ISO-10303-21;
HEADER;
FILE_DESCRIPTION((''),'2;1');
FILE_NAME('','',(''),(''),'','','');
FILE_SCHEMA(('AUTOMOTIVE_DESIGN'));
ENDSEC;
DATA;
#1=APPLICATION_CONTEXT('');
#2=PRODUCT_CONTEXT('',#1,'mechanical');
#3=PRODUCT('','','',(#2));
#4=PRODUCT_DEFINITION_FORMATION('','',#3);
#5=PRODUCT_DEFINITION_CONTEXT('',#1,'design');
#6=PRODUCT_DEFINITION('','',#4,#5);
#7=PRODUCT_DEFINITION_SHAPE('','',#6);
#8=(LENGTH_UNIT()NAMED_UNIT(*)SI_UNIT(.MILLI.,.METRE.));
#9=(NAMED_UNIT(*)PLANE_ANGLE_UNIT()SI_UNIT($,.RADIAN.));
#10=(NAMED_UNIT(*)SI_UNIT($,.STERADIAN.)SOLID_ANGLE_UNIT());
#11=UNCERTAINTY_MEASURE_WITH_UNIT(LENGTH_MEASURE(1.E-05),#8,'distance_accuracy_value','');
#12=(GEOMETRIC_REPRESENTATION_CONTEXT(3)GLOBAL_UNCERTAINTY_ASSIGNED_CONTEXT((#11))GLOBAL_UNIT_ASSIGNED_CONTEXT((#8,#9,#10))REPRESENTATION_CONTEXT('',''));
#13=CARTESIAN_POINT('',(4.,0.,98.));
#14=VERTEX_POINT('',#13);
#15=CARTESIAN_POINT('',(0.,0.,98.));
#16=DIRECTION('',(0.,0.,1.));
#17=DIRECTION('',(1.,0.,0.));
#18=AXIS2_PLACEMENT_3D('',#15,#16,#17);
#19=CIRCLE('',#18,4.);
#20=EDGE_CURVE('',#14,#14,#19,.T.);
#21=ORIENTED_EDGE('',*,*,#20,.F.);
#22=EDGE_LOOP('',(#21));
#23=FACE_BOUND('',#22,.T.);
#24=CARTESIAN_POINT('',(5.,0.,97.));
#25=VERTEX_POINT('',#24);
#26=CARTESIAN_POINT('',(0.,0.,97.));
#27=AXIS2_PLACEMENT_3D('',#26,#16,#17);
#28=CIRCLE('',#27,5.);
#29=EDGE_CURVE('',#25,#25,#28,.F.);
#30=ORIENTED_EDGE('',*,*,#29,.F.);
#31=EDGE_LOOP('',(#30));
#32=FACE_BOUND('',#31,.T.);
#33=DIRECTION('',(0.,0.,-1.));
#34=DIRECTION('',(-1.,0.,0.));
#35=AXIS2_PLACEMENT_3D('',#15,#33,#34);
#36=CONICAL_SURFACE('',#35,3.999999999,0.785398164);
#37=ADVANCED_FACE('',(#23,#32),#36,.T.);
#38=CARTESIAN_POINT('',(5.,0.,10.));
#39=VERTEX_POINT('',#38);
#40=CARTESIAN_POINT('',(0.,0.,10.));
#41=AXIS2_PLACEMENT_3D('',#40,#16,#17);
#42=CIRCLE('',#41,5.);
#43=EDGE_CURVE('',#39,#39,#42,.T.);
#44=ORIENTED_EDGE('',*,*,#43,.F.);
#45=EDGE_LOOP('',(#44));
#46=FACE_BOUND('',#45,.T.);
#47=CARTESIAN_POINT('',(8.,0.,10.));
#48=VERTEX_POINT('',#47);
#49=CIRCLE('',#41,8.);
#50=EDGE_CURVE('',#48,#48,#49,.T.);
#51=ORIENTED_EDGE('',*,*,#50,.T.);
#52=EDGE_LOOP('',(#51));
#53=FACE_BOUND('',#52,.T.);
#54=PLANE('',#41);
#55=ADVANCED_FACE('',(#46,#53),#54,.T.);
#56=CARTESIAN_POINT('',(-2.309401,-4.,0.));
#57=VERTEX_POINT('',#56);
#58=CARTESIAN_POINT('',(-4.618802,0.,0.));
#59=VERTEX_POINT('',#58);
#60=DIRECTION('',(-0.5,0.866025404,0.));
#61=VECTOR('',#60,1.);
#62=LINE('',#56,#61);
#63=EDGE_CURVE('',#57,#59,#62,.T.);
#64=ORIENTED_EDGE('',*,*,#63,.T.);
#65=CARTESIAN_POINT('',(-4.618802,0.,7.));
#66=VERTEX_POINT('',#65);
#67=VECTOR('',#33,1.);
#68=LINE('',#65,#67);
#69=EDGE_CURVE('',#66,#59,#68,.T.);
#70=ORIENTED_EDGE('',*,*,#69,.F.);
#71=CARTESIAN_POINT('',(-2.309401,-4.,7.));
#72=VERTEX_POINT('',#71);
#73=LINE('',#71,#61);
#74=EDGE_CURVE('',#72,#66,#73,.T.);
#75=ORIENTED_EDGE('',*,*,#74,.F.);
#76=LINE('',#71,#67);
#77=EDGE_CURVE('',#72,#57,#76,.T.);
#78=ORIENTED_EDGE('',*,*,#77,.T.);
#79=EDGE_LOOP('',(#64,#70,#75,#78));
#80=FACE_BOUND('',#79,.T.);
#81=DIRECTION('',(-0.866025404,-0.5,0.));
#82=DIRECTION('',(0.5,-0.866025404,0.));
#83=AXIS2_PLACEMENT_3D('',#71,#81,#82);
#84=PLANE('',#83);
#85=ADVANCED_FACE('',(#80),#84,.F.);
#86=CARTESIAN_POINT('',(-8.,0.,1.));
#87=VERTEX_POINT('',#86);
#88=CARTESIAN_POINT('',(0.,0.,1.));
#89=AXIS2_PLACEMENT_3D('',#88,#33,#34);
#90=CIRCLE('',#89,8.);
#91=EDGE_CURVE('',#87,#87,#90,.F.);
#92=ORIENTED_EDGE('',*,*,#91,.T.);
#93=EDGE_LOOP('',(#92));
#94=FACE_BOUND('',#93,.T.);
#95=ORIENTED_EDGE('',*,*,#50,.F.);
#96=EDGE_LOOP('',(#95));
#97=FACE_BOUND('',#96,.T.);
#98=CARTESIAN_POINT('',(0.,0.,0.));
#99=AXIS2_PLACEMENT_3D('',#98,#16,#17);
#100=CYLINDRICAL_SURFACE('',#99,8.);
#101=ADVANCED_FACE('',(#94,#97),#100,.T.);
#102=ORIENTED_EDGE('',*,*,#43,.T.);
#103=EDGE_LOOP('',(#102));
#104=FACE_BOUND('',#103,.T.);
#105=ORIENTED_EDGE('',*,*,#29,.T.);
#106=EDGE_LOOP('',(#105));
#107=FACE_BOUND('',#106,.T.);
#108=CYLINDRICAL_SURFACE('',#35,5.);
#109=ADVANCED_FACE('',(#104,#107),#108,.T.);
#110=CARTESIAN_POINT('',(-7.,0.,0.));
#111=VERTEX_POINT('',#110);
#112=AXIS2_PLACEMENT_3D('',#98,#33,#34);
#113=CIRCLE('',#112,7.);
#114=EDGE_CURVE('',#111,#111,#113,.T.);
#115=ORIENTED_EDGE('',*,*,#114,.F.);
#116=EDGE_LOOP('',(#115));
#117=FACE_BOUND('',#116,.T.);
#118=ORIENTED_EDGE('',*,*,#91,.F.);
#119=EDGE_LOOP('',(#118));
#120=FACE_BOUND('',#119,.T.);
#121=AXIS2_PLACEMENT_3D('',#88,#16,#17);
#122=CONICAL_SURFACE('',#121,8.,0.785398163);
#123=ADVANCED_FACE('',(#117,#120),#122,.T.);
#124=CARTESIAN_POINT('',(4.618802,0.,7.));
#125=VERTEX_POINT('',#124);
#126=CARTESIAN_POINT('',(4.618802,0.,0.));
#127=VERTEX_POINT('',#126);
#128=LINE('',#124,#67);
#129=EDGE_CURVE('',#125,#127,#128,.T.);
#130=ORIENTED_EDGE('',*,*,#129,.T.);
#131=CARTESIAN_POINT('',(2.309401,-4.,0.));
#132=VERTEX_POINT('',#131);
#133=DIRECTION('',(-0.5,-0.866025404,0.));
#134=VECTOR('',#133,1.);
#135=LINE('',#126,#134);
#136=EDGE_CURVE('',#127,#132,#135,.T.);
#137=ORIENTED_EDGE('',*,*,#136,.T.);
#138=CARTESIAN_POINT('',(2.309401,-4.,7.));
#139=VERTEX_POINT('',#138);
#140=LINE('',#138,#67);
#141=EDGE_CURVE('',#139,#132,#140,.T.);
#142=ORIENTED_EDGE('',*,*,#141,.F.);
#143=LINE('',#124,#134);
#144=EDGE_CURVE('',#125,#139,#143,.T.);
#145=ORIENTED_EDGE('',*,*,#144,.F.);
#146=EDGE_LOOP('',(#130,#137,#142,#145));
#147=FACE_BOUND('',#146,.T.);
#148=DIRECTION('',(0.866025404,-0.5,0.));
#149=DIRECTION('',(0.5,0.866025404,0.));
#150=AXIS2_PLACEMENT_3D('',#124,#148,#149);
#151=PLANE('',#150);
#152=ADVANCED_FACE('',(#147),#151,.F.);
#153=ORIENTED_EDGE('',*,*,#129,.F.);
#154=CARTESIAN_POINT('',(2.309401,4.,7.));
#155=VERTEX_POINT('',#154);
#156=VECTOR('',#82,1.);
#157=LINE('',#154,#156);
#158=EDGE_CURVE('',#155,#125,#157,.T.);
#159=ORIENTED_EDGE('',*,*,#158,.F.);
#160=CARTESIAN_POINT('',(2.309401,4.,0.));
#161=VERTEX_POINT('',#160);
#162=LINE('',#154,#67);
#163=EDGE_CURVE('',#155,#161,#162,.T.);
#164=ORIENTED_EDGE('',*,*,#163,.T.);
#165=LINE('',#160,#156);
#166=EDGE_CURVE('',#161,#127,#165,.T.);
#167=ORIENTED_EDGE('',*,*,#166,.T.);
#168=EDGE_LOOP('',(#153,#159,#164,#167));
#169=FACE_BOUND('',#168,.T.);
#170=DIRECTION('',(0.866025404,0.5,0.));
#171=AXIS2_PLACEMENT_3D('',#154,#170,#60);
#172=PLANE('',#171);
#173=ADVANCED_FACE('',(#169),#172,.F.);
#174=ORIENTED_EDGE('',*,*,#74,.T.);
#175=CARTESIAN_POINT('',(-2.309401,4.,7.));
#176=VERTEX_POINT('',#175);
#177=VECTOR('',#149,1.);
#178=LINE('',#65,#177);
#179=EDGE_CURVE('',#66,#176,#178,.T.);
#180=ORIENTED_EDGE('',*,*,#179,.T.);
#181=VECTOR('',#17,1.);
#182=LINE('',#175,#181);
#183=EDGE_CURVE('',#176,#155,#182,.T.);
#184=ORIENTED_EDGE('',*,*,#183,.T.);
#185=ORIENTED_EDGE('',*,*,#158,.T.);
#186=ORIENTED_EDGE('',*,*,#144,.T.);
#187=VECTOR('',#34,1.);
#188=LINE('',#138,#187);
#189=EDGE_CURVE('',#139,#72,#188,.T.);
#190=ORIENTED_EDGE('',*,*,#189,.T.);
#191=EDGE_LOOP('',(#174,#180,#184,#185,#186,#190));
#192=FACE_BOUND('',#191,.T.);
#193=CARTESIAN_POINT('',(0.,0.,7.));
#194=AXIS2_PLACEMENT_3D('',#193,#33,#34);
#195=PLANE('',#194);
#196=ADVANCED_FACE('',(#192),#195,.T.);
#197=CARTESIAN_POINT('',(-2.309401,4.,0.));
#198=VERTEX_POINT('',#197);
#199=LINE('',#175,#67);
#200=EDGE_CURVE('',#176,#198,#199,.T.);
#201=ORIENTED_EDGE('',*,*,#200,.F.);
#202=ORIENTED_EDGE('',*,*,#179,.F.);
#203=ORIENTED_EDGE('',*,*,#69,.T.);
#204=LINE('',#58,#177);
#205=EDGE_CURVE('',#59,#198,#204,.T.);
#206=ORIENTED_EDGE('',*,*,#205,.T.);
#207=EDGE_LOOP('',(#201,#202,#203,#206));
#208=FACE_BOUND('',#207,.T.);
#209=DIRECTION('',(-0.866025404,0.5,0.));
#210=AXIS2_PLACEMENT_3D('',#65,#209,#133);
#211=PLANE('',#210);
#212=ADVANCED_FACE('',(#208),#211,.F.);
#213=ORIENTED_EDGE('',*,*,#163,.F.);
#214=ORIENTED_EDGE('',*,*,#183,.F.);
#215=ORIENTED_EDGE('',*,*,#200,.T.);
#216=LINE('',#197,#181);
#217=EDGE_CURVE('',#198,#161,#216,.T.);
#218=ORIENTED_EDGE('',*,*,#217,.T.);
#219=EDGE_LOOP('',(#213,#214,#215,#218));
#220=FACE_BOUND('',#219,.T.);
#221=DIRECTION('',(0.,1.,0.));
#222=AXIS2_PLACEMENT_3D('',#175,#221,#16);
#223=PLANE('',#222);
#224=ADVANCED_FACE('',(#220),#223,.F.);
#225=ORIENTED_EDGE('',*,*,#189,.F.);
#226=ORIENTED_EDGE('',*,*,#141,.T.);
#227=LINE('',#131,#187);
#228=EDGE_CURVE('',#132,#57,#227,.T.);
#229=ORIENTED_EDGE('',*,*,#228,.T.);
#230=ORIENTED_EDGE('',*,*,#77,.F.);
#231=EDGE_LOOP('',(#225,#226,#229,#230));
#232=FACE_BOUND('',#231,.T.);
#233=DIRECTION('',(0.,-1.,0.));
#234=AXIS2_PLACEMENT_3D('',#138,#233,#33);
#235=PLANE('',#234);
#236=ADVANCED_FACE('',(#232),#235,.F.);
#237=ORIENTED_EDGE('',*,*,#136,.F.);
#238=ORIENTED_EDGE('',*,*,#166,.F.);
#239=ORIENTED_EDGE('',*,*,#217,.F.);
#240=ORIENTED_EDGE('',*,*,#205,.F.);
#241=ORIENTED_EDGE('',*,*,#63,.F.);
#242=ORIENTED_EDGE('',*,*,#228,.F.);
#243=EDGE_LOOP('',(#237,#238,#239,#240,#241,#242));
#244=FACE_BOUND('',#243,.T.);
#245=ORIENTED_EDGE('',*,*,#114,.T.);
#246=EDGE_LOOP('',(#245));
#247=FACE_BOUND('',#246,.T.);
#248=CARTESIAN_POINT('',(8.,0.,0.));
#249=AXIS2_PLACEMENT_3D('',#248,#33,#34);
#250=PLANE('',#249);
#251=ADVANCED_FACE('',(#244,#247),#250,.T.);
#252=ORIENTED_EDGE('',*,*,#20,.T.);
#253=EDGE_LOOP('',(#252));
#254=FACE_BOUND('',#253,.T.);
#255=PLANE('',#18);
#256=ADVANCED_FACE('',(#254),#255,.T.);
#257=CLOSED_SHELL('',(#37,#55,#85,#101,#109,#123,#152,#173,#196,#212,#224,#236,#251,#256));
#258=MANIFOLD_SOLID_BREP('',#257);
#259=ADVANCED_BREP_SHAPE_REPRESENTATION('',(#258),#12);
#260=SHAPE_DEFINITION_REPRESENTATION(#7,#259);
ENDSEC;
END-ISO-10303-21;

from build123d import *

# Parameters (mm, degrees)
SKETCH_1_W          = 8
SKETCH_1_H          = 10
SKETCH_2_R          = 5
EXTRUDE_1_DEPTH     = 88
CUT_EXTRUDE_1_DEPTH = 7
CHAMFER_1_SIZE2     = 1.000000001
CHAMFER_1_SIZE      = 0.999999999


with BuildPart() as part:
    # 草图1 → 旋转1 (revolve)
    with BuildSketch(Plane(origin=(0, 0, 0), x_dir=(1, 0, 0), z_dir=(0, 1, 0))):
        with Locations((4, -5)):
            Rectangle(SKETCH_1_W, SKETCH_1_H)
    revolve(axis=Axis((0, 0, 0), (0, 0, 1)))

    # 草图2 → 凸台-拉伸1 (add)
    with BuildSketch(Plane.XY.offset(10)):
        Circle(SKETCH_2_R)
    extrude(amount=EXTRUDE_1_DEPTH)

    # 草图3 → 切除-拉伸1 (cut)
    with BuildSketch(Plane(origin=(0, 0, 0), x_dir=(-1, 0, 0), z_dir=(0, 0, -1))):
        Polygon((-2.309401077, 4), (-4.618802154, 0), (-2.309401077, -4), (2.309401077, -4), (4.618802154, 0), (2.309401077, 4), align=None)
    extrude(amount=-CUT_EXTRUDE_1_DEPTH, mode=Mode.SUBTRACT)

    # 倒角1
    chamfer_1_edges = [part.edges().sort_by_distance(p)[0] for p in [
        (-5, 0, 98),
        (-8, 0, 0),
    ]]
    chamfer(chamfer_1_edges, length=CHAMFER_1_SIZE, length2=CHAMFER_1_SIZE2)


solid = part.part
